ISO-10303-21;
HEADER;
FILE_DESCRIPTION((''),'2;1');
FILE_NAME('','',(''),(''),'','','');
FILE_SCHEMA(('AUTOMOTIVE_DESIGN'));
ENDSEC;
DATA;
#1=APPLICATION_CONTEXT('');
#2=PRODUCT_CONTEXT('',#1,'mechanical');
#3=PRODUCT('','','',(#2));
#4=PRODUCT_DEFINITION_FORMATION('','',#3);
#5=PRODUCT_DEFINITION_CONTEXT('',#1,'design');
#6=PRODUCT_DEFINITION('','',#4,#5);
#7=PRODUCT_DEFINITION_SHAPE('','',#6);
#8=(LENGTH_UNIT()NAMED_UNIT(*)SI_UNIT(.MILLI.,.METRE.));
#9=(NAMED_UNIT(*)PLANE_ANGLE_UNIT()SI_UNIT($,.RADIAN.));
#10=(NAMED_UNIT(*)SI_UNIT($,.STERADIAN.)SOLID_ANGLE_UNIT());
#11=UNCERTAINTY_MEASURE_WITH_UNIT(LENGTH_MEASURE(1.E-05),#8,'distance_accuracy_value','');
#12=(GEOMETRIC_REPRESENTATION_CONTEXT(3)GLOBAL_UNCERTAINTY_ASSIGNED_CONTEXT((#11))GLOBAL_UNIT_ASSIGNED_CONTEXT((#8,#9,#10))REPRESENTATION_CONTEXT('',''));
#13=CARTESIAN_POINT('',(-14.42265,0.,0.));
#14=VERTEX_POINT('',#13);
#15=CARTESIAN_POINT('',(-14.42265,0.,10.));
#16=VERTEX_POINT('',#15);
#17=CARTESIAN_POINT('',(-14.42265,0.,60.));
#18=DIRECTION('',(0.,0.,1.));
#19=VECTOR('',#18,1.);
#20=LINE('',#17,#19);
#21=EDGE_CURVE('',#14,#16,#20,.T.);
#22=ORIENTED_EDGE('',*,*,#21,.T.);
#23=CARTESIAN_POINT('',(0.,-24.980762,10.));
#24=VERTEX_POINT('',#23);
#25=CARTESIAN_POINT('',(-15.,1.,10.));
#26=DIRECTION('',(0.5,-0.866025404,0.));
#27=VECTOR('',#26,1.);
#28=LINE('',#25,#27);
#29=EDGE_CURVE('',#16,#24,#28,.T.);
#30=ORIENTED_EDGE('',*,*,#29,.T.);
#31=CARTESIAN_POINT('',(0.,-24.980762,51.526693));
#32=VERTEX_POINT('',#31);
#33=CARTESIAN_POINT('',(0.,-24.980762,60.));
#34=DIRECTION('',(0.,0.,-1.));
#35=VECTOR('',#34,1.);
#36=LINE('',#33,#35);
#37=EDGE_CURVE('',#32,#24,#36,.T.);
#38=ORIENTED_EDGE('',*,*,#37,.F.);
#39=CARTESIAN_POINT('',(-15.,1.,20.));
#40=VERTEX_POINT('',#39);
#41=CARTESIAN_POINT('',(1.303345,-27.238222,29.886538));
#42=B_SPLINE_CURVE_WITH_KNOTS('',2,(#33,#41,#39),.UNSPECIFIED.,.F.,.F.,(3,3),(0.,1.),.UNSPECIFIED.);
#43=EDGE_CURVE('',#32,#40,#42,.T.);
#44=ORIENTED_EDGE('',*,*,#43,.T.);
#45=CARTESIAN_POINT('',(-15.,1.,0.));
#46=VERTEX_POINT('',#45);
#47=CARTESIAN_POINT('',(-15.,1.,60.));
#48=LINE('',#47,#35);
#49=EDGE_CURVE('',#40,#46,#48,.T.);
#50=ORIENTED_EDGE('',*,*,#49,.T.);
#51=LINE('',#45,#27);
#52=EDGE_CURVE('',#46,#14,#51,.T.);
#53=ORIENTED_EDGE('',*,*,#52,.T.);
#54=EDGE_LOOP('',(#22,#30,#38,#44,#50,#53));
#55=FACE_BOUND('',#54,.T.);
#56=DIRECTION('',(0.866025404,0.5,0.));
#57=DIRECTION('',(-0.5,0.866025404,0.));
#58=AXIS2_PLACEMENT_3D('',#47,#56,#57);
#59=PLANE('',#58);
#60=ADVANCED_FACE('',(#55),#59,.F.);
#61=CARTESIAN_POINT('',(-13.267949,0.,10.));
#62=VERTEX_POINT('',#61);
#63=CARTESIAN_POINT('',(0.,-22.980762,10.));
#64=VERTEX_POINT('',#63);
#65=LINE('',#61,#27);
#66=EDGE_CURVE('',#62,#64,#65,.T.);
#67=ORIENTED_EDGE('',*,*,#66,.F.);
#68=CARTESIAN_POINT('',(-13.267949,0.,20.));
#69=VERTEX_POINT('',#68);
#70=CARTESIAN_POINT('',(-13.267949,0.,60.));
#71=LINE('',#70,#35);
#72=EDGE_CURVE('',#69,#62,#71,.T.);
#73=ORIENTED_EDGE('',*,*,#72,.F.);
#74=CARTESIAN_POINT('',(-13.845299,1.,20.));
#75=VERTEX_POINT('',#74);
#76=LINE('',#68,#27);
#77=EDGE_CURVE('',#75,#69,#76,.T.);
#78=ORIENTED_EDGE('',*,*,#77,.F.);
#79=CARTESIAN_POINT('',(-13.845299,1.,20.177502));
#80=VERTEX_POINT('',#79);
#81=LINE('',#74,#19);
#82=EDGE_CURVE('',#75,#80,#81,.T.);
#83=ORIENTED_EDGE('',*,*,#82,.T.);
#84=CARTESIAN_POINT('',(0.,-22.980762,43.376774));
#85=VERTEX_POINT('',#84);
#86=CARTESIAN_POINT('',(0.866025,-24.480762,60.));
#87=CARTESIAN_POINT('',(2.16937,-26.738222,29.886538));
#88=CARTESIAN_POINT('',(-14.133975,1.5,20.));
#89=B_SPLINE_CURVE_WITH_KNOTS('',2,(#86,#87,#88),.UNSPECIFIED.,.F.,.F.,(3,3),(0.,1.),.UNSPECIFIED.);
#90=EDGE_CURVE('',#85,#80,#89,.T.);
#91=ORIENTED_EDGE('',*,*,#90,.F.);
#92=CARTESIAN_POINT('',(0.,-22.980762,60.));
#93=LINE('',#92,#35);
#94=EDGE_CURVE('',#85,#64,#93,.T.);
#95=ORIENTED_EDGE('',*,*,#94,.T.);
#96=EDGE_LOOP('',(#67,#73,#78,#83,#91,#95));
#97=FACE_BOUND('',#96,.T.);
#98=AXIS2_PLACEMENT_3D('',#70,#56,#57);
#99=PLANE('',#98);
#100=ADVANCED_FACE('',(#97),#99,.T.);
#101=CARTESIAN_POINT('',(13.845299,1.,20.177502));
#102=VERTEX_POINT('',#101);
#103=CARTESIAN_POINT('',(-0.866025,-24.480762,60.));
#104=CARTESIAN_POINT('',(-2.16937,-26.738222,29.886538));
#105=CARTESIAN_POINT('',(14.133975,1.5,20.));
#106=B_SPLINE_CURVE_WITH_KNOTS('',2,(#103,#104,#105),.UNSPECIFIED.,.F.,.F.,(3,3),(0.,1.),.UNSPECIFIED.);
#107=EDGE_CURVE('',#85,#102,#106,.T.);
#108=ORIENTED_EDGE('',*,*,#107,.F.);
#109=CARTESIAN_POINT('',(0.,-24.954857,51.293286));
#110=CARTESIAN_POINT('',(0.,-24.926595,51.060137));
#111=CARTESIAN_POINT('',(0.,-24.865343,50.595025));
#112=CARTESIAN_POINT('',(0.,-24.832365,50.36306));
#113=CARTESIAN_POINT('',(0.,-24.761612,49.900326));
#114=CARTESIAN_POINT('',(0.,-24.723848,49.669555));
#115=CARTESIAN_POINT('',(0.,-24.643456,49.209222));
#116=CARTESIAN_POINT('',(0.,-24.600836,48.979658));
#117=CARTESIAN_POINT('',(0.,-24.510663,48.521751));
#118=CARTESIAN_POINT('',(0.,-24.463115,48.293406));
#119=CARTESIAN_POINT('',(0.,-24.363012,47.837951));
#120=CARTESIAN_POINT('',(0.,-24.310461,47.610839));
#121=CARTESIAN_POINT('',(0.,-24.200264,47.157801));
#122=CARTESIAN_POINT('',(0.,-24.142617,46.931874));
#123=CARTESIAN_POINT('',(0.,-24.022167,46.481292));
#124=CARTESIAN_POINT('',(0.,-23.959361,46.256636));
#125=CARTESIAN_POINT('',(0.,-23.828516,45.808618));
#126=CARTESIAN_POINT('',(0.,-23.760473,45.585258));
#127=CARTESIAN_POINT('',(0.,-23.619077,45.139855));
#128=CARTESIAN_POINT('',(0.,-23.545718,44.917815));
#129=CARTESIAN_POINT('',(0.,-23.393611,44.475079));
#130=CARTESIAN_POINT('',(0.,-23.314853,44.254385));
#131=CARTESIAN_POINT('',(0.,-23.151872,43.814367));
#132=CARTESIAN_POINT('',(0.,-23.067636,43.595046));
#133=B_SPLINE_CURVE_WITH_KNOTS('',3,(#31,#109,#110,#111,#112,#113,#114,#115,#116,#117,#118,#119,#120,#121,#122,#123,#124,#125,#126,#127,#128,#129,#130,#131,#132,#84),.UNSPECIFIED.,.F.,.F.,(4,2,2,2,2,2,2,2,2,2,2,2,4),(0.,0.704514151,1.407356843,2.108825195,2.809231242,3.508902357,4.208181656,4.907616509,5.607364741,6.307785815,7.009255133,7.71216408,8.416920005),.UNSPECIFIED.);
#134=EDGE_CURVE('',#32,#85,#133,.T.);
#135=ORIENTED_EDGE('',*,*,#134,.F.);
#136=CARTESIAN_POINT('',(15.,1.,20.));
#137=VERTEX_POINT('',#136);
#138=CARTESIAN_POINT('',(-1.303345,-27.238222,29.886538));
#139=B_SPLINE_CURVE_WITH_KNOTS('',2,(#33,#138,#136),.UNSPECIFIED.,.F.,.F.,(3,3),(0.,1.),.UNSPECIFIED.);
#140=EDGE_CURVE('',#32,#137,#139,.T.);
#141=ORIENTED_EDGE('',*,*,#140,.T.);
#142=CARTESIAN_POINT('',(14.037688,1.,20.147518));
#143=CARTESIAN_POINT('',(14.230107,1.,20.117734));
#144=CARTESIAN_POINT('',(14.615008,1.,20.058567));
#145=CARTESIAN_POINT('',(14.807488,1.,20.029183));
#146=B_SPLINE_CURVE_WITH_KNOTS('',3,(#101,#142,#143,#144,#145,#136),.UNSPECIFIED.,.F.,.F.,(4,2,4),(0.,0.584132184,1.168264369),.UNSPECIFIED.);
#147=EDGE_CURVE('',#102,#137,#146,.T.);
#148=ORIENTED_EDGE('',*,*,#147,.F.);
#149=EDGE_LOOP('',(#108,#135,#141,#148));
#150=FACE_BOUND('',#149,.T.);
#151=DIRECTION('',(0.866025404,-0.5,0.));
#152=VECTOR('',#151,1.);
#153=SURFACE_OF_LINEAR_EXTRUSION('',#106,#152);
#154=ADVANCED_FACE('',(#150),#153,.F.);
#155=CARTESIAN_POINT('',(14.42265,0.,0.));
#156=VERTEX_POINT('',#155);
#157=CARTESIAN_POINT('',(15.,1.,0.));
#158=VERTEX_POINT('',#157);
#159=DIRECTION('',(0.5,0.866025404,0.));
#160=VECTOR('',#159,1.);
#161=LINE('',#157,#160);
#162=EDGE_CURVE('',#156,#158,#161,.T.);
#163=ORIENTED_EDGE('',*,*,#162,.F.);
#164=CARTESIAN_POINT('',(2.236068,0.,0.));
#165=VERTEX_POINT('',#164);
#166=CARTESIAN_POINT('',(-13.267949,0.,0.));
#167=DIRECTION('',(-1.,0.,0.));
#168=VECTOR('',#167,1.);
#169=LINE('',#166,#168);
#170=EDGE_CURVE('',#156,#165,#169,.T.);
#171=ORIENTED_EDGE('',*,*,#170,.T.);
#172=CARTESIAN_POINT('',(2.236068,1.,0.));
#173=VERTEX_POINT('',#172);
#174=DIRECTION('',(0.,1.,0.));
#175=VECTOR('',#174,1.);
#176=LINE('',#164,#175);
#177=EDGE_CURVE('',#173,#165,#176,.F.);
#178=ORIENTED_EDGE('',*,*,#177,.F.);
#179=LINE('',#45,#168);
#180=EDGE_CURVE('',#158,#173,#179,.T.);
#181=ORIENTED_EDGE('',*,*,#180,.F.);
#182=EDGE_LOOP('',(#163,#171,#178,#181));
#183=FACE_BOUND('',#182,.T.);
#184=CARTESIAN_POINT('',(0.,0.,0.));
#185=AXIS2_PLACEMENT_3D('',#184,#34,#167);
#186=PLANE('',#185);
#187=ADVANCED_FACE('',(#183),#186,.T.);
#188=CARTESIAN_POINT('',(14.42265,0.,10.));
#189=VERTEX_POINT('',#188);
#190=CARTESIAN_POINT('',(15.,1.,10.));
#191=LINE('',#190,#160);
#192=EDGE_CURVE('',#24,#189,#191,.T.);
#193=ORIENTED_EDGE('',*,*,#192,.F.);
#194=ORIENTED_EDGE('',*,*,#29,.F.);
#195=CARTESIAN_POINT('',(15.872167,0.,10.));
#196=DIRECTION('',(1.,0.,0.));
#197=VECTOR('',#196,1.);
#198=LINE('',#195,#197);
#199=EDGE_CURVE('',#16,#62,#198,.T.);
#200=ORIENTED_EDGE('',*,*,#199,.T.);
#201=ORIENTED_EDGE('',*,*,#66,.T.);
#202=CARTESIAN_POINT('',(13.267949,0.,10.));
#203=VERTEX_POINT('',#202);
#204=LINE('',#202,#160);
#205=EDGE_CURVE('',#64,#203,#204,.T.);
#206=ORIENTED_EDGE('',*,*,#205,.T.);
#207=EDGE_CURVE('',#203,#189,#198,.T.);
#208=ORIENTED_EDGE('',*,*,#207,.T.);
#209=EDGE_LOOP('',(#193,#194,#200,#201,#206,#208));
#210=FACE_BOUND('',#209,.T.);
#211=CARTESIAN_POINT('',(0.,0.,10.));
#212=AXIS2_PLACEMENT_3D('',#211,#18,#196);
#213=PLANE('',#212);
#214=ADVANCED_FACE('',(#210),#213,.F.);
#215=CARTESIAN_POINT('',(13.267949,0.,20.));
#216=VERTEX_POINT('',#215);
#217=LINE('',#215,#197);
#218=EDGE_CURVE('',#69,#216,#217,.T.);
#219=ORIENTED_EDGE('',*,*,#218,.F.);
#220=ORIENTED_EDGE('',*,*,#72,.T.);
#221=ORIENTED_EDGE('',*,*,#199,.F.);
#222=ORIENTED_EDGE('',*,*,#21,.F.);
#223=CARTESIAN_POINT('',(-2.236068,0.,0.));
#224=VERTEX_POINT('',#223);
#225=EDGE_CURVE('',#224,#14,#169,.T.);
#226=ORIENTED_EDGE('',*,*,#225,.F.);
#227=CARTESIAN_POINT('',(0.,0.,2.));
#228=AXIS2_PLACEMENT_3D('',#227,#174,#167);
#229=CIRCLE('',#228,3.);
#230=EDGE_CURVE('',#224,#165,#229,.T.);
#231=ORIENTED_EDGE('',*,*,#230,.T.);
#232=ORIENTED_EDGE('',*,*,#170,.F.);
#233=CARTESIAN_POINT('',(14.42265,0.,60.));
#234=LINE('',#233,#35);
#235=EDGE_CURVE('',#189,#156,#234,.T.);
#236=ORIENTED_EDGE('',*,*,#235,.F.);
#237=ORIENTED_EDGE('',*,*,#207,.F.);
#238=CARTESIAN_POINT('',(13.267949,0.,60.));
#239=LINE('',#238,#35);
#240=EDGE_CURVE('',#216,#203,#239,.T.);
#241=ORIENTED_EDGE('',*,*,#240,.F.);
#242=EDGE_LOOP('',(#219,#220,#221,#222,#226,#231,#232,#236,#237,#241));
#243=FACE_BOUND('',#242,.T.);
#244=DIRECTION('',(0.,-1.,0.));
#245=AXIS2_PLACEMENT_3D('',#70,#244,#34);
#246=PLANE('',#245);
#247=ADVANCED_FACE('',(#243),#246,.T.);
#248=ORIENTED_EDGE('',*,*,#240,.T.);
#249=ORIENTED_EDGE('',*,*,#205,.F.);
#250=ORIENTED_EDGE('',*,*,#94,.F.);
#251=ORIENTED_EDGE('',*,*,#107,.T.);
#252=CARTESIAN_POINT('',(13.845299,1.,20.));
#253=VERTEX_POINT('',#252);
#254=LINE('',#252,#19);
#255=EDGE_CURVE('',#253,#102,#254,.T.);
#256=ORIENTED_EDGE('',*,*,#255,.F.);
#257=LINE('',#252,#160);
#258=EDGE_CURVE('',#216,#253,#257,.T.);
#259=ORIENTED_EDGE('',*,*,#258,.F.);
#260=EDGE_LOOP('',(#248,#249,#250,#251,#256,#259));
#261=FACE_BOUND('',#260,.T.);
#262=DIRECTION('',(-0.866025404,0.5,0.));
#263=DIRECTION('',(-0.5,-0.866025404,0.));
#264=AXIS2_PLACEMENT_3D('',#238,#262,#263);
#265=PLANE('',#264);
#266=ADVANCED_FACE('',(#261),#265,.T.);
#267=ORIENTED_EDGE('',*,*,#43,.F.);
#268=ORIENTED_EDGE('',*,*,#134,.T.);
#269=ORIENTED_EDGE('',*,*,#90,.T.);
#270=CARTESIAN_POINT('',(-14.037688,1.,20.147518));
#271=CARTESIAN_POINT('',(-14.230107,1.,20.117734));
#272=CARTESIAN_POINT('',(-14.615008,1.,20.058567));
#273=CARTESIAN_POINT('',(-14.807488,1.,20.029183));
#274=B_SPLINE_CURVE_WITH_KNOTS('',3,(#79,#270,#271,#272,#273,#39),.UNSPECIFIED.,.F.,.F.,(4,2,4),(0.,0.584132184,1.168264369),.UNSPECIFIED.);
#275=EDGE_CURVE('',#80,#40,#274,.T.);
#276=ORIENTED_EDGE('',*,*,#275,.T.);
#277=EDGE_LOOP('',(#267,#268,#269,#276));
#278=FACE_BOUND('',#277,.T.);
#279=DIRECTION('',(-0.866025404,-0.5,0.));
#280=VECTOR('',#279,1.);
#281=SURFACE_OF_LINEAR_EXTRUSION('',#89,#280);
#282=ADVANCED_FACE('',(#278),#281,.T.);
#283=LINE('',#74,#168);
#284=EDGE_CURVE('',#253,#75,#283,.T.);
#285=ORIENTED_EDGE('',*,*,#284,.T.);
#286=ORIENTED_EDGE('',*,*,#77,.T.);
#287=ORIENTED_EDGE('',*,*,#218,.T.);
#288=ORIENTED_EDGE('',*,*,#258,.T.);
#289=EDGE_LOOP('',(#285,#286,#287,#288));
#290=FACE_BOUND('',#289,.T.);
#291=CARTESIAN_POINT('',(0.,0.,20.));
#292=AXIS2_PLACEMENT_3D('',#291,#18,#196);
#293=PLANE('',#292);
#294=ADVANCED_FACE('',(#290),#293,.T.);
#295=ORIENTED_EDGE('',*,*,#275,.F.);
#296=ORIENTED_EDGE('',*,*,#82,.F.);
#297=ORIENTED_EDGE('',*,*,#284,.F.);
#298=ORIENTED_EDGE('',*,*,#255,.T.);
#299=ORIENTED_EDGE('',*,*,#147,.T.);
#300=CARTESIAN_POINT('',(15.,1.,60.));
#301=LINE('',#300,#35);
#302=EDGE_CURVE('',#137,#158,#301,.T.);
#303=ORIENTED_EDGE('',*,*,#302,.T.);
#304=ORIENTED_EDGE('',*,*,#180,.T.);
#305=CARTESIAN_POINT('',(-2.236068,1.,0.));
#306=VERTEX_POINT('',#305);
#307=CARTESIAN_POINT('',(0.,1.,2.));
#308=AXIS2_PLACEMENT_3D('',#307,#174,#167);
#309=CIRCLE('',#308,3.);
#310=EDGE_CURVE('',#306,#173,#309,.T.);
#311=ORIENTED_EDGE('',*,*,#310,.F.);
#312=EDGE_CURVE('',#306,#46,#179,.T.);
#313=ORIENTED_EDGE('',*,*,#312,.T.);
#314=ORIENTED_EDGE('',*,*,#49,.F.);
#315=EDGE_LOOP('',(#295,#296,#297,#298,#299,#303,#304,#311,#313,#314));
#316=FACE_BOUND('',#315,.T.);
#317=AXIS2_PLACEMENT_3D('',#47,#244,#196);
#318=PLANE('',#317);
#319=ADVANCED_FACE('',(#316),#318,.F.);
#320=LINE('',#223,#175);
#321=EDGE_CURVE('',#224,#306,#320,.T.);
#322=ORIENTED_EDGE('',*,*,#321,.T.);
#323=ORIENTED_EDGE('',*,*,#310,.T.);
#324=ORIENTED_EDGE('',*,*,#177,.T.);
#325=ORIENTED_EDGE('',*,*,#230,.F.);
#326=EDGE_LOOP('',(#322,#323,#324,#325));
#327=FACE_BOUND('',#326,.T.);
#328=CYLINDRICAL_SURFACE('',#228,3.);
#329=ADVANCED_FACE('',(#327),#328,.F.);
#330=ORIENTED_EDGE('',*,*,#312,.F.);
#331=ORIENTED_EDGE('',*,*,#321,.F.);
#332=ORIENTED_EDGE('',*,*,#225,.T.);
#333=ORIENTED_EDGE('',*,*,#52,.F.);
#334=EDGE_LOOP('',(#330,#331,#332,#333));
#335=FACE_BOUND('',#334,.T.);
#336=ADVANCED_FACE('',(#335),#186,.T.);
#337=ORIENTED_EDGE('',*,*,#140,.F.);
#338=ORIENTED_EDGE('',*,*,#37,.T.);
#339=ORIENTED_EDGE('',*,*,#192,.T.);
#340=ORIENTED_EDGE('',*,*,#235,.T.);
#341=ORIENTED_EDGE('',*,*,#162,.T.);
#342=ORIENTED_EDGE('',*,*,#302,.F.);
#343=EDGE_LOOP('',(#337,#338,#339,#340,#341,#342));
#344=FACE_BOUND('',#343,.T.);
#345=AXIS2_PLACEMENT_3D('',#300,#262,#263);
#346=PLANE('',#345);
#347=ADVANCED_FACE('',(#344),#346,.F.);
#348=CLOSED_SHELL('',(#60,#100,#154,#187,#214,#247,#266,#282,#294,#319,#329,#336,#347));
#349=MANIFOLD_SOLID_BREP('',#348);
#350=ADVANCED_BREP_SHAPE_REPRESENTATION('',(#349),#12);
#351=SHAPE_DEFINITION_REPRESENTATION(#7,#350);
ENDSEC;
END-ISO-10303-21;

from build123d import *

# Parameters (mm, degrees)
BOSS_EXTRUDE1_DEPTH = 60
CUT_EXTRUDE2_DEPTH  = 1
CUT_EXTRUDE3_DEPTH  = 40
CUT_EXTRUDE4_DEPTH  = 10
SKETCH9_R           = 3
CUT_EXTRUDE5_DEPTH  = 1


with BuildPart() as part:
    # Sketch1 → Boss-Extrude1 (new body)
    with BuildSketch(Plane.XY):
        Polygon((-15, 1), (15, 1), (0, -24.980762114), align=None)
        Polygon((-13.267949192, 0), (13.267949192, 0), (0, -22.980762114), align=None, mode=Mode.SUBTRACT)
    extrude(amount=BOSS_EXTRUDE1_DEPTH)

    # Sketch4 → Cut-Extrude2 (cut)
    with BuildSketch(Plane(origin=(10.816987298, -6.245190528, 0), x_dir=(0, 0, -1), z_dir=(0.8660254037844365, -0.500000000000004, 0))):
        with BuildLine():
            Line((-60, 8.366025404), (-60, -21.633974596))
            add(Edge.make_bspline(
                [(-60, -21.633974596), (-29.886538221, -24.240664674), (-20, 8.366025404)],
                knots=[0, 0, 0, 1, 1, 1], degree=2))
            Line((-20, 8.366025404), (-60, 8.366025404))
        make_face()
    cut_extrude2 = extrude(amount=-CUT_EXTRUDE2_DEPTH, mode=Mode.SUBTRACT)

    # Mirror1: Cut-Extrude2 across plane
    add(cut_extrude2.mirror(Plane(origin=(0, 0, 0), x_dir=(0, 0, 1), z_dir=(1, 0, 0))), mode=Mode.SUBTRACT)

    # Sketch5 → Cut-Extrude3 (cut)
    with BuildSketch(Plane.XY.offset(60)):
        Polygon((-13.845299459, 0.999999995), (13.845299462, 1), (13.267949197, 8e-09), (-13.267949192, 0), align=None)
    extrude(amount=-CUT_EXTRUDE3_DEPTH, mode=Mode.SUBTRACT)

    # Sketch8 → Cut-Extrude4 (cut)
    with BuildSketch(Plane(origin=(0, 0, 0), x_dir=(-1, 0, 0), z_dir=(0, 0, -1))):
        Polygon((-15.872166784, 0), (15.872166784, 0), (0, -24.980762114), align=None)
    extrude(amount=-CUT_EXTRUDE4_DEPTH, mode=Mode.SUBTRACT)

    # Sketch9 → Cut-Extrude5 (cut)
    with BuildSketch(Plane(origin=(0, 1, 0), x_dir=(1, 0, 0), z_dir=(0, 1, 0))):
        with Locations((0, -2)):
            Circle(SKETCH9_R)
    extrude(amount=-CUT_EXTRUDE5_DEPTH, mode=Mode.SUBTRACT)


solid = part.part
